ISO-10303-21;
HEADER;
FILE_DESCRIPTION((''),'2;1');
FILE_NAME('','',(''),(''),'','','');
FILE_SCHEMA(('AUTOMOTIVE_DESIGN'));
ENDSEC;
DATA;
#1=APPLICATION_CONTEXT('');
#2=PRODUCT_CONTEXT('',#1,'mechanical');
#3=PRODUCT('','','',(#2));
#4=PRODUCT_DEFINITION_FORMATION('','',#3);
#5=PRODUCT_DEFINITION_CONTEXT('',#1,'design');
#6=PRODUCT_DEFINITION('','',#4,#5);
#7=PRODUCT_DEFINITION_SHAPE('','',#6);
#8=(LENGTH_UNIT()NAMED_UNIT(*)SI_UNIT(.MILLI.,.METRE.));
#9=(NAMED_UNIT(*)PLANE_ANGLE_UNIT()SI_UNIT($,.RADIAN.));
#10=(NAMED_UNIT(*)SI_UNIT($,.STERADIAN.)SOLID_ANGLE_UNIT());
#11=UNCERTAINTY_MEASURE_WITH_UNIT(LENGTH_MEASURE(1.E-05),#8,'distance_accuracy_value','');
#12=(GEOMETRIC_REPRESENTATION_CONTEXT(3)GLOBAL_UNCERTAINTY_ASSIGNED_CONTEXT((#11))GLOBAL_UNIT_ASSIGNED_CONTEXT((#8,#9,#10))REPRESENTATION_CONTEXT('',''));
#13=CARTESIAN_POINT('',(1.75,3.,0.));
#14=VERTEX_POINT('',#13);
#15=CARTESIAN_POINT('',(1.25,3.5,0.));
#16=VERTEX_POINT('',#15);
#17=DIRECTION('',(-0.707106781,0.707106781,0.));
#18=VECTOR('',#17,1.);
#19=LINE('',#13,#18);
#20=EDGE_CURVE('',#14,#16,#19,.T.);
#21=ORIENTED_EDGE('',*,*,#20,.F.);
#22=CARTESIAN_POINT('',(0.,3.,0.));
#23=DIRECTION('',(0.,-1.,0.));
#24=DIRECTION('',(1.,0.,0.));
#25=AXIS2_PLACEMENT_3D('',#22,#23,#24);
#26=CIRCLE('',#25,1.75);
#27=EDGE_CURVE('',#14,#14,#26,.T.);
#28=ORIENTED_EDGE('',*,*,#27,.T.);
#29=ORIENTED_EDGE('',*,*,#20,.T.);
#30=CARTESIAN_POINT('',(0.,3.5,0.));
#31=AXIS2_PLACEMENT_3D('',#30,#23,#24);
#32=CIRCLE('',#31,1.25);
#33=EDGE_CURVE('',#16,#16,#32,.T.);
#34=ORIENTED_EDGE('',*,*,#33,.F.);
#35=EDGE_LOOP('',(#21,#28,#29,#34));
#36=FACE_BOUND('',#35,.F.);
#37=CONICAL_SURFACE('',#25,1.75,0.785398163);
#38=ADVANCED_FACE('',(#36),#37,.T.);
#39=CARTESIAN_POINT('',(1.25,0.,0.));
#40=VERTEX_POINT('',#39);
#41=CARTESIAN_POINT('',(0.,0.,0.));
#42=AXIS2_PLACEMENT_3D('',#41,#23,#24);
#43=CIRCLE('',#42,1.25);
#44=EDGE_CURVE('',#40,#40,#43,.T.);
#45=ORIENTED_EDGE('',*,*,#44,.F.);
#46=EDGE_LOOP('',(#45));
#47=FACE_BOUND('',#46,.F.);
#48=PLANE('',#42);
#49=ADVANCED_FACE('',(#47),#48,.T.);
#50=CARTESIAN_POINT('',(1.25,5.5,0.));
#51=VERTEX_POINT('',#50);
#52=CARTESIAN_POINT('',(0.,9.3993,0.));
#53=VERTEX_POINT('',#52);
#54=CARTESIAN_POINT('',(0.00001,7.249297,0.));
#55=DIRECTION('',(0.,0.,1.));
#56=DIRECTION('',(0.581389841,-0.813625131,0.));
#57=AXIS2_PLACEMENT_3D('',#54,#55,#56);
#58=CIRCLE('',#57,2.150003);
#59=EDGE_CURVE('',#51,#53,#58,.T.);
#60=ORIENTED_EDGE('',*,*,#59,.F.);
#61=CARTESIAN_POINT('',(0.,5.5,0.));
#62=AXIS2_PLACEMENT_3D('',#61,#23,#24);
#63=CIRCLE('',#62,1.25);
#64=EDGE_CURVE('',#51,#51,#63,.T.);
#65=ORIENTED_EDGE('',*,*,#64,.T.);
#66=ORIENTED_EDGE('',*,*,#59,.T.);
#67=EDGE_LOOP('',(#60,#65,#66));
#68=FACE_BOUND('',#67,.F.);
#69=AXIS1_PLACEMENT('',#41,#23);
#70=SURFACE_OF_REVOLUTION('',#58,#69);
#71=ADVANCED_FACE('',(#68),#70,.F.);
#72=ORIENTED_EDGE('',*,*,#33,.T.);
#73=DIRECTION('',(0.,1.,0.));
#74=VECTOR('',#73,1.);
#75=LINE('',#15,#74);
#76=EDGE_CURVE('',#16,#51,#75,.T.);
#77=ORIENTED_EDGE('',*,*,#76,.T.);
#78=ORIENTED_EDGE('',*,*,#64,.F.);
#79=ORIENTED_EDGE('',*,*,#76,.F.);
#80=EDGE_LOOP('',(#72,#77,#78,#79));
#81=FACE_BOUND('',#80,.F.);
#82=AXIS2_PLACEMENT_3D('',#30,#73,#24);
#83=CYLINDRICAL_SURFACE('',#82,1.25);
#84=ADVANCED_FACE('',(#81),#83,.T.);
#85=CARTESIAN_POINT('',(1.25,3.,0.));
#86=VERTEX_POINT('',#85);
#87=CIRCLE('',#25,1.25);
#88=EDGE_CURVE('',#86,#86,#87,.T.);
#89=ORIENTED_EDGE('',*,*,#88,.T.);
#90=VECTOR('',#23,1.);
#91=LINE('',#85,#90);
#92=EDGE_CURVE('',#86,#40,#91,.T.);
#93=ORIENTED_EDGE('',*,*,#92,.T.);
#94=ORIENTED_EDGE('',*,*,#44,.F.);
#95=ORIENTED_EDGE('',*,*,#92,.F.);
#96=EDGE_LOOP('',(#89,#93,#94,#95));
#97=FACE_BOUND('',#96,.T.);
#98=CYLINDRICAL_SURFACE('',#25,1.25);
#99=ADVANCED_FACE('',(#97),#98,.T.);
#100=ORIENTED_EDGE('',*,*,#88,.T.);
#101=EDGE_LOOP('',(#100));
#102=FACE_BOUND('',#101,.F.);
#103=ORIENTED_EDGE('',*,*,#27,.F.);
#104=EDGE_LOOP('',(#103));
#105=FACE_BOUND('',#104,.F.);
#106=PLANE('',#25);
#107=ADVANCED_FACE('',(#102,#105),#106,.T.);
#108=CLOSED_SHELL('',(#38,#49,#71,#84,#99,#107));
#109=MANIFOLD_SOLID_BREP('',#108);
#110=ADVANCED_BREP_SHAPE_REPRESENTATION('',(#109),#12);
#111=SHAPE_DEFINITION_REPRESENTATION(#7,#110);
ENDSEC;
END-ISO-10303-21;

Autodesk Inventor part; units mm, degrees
ref_plane "YZ Plane" through (0, 0, 0) normal (1, 0, 0) x (0, 1, 0)
ref_plane "XZ Plane" through (0, 0, 0) normal (0, 1, 0) x (-1, 0, 0)
ref_plane "XY Plane" through (0, 0, 0) normal (0, 0, 1) x (1, 0, 0)
sketch "Skizze1" plane through (0, 0, 0) normal (0, 0, 1) x (1, 0, 0)
  line L0 (-0.5345, 0) -> (3.2068, 0) construction
  line L1 (0, 11.8263) -> (0, -1.9711) construction
  line L2 (0, 0) -> (1.25, 0)
  line L3 (1.25, 3) -> (1.25, 0)
  line L4 (1.25, 3) -> (1.75, 3)
  line L5 (1.75, 3) -> (1.25, 3.5)
  line L6 (1.25, 3.5) -> (1.25, 5.5)
  arc A0 (1.25, 5.5) -> (0, 9.3993) centre (0, 7.2493) ccw
  line L7 (0, 9.3993) -> (0, 0)
  dimension "d0" = 4.3
  dimension "d1" = 1.25
  dimension "d2" = 3
  dimension "d3" = 0.5
  dimension "d4" = 2
  dimension "d6" = 0.5
revolve "Umdrehung1" add sketch "Skizze1" angle 360 about axis through (0, 0, 0) along (0, -1, 0)
properties part number "Ball-Joint-male"
